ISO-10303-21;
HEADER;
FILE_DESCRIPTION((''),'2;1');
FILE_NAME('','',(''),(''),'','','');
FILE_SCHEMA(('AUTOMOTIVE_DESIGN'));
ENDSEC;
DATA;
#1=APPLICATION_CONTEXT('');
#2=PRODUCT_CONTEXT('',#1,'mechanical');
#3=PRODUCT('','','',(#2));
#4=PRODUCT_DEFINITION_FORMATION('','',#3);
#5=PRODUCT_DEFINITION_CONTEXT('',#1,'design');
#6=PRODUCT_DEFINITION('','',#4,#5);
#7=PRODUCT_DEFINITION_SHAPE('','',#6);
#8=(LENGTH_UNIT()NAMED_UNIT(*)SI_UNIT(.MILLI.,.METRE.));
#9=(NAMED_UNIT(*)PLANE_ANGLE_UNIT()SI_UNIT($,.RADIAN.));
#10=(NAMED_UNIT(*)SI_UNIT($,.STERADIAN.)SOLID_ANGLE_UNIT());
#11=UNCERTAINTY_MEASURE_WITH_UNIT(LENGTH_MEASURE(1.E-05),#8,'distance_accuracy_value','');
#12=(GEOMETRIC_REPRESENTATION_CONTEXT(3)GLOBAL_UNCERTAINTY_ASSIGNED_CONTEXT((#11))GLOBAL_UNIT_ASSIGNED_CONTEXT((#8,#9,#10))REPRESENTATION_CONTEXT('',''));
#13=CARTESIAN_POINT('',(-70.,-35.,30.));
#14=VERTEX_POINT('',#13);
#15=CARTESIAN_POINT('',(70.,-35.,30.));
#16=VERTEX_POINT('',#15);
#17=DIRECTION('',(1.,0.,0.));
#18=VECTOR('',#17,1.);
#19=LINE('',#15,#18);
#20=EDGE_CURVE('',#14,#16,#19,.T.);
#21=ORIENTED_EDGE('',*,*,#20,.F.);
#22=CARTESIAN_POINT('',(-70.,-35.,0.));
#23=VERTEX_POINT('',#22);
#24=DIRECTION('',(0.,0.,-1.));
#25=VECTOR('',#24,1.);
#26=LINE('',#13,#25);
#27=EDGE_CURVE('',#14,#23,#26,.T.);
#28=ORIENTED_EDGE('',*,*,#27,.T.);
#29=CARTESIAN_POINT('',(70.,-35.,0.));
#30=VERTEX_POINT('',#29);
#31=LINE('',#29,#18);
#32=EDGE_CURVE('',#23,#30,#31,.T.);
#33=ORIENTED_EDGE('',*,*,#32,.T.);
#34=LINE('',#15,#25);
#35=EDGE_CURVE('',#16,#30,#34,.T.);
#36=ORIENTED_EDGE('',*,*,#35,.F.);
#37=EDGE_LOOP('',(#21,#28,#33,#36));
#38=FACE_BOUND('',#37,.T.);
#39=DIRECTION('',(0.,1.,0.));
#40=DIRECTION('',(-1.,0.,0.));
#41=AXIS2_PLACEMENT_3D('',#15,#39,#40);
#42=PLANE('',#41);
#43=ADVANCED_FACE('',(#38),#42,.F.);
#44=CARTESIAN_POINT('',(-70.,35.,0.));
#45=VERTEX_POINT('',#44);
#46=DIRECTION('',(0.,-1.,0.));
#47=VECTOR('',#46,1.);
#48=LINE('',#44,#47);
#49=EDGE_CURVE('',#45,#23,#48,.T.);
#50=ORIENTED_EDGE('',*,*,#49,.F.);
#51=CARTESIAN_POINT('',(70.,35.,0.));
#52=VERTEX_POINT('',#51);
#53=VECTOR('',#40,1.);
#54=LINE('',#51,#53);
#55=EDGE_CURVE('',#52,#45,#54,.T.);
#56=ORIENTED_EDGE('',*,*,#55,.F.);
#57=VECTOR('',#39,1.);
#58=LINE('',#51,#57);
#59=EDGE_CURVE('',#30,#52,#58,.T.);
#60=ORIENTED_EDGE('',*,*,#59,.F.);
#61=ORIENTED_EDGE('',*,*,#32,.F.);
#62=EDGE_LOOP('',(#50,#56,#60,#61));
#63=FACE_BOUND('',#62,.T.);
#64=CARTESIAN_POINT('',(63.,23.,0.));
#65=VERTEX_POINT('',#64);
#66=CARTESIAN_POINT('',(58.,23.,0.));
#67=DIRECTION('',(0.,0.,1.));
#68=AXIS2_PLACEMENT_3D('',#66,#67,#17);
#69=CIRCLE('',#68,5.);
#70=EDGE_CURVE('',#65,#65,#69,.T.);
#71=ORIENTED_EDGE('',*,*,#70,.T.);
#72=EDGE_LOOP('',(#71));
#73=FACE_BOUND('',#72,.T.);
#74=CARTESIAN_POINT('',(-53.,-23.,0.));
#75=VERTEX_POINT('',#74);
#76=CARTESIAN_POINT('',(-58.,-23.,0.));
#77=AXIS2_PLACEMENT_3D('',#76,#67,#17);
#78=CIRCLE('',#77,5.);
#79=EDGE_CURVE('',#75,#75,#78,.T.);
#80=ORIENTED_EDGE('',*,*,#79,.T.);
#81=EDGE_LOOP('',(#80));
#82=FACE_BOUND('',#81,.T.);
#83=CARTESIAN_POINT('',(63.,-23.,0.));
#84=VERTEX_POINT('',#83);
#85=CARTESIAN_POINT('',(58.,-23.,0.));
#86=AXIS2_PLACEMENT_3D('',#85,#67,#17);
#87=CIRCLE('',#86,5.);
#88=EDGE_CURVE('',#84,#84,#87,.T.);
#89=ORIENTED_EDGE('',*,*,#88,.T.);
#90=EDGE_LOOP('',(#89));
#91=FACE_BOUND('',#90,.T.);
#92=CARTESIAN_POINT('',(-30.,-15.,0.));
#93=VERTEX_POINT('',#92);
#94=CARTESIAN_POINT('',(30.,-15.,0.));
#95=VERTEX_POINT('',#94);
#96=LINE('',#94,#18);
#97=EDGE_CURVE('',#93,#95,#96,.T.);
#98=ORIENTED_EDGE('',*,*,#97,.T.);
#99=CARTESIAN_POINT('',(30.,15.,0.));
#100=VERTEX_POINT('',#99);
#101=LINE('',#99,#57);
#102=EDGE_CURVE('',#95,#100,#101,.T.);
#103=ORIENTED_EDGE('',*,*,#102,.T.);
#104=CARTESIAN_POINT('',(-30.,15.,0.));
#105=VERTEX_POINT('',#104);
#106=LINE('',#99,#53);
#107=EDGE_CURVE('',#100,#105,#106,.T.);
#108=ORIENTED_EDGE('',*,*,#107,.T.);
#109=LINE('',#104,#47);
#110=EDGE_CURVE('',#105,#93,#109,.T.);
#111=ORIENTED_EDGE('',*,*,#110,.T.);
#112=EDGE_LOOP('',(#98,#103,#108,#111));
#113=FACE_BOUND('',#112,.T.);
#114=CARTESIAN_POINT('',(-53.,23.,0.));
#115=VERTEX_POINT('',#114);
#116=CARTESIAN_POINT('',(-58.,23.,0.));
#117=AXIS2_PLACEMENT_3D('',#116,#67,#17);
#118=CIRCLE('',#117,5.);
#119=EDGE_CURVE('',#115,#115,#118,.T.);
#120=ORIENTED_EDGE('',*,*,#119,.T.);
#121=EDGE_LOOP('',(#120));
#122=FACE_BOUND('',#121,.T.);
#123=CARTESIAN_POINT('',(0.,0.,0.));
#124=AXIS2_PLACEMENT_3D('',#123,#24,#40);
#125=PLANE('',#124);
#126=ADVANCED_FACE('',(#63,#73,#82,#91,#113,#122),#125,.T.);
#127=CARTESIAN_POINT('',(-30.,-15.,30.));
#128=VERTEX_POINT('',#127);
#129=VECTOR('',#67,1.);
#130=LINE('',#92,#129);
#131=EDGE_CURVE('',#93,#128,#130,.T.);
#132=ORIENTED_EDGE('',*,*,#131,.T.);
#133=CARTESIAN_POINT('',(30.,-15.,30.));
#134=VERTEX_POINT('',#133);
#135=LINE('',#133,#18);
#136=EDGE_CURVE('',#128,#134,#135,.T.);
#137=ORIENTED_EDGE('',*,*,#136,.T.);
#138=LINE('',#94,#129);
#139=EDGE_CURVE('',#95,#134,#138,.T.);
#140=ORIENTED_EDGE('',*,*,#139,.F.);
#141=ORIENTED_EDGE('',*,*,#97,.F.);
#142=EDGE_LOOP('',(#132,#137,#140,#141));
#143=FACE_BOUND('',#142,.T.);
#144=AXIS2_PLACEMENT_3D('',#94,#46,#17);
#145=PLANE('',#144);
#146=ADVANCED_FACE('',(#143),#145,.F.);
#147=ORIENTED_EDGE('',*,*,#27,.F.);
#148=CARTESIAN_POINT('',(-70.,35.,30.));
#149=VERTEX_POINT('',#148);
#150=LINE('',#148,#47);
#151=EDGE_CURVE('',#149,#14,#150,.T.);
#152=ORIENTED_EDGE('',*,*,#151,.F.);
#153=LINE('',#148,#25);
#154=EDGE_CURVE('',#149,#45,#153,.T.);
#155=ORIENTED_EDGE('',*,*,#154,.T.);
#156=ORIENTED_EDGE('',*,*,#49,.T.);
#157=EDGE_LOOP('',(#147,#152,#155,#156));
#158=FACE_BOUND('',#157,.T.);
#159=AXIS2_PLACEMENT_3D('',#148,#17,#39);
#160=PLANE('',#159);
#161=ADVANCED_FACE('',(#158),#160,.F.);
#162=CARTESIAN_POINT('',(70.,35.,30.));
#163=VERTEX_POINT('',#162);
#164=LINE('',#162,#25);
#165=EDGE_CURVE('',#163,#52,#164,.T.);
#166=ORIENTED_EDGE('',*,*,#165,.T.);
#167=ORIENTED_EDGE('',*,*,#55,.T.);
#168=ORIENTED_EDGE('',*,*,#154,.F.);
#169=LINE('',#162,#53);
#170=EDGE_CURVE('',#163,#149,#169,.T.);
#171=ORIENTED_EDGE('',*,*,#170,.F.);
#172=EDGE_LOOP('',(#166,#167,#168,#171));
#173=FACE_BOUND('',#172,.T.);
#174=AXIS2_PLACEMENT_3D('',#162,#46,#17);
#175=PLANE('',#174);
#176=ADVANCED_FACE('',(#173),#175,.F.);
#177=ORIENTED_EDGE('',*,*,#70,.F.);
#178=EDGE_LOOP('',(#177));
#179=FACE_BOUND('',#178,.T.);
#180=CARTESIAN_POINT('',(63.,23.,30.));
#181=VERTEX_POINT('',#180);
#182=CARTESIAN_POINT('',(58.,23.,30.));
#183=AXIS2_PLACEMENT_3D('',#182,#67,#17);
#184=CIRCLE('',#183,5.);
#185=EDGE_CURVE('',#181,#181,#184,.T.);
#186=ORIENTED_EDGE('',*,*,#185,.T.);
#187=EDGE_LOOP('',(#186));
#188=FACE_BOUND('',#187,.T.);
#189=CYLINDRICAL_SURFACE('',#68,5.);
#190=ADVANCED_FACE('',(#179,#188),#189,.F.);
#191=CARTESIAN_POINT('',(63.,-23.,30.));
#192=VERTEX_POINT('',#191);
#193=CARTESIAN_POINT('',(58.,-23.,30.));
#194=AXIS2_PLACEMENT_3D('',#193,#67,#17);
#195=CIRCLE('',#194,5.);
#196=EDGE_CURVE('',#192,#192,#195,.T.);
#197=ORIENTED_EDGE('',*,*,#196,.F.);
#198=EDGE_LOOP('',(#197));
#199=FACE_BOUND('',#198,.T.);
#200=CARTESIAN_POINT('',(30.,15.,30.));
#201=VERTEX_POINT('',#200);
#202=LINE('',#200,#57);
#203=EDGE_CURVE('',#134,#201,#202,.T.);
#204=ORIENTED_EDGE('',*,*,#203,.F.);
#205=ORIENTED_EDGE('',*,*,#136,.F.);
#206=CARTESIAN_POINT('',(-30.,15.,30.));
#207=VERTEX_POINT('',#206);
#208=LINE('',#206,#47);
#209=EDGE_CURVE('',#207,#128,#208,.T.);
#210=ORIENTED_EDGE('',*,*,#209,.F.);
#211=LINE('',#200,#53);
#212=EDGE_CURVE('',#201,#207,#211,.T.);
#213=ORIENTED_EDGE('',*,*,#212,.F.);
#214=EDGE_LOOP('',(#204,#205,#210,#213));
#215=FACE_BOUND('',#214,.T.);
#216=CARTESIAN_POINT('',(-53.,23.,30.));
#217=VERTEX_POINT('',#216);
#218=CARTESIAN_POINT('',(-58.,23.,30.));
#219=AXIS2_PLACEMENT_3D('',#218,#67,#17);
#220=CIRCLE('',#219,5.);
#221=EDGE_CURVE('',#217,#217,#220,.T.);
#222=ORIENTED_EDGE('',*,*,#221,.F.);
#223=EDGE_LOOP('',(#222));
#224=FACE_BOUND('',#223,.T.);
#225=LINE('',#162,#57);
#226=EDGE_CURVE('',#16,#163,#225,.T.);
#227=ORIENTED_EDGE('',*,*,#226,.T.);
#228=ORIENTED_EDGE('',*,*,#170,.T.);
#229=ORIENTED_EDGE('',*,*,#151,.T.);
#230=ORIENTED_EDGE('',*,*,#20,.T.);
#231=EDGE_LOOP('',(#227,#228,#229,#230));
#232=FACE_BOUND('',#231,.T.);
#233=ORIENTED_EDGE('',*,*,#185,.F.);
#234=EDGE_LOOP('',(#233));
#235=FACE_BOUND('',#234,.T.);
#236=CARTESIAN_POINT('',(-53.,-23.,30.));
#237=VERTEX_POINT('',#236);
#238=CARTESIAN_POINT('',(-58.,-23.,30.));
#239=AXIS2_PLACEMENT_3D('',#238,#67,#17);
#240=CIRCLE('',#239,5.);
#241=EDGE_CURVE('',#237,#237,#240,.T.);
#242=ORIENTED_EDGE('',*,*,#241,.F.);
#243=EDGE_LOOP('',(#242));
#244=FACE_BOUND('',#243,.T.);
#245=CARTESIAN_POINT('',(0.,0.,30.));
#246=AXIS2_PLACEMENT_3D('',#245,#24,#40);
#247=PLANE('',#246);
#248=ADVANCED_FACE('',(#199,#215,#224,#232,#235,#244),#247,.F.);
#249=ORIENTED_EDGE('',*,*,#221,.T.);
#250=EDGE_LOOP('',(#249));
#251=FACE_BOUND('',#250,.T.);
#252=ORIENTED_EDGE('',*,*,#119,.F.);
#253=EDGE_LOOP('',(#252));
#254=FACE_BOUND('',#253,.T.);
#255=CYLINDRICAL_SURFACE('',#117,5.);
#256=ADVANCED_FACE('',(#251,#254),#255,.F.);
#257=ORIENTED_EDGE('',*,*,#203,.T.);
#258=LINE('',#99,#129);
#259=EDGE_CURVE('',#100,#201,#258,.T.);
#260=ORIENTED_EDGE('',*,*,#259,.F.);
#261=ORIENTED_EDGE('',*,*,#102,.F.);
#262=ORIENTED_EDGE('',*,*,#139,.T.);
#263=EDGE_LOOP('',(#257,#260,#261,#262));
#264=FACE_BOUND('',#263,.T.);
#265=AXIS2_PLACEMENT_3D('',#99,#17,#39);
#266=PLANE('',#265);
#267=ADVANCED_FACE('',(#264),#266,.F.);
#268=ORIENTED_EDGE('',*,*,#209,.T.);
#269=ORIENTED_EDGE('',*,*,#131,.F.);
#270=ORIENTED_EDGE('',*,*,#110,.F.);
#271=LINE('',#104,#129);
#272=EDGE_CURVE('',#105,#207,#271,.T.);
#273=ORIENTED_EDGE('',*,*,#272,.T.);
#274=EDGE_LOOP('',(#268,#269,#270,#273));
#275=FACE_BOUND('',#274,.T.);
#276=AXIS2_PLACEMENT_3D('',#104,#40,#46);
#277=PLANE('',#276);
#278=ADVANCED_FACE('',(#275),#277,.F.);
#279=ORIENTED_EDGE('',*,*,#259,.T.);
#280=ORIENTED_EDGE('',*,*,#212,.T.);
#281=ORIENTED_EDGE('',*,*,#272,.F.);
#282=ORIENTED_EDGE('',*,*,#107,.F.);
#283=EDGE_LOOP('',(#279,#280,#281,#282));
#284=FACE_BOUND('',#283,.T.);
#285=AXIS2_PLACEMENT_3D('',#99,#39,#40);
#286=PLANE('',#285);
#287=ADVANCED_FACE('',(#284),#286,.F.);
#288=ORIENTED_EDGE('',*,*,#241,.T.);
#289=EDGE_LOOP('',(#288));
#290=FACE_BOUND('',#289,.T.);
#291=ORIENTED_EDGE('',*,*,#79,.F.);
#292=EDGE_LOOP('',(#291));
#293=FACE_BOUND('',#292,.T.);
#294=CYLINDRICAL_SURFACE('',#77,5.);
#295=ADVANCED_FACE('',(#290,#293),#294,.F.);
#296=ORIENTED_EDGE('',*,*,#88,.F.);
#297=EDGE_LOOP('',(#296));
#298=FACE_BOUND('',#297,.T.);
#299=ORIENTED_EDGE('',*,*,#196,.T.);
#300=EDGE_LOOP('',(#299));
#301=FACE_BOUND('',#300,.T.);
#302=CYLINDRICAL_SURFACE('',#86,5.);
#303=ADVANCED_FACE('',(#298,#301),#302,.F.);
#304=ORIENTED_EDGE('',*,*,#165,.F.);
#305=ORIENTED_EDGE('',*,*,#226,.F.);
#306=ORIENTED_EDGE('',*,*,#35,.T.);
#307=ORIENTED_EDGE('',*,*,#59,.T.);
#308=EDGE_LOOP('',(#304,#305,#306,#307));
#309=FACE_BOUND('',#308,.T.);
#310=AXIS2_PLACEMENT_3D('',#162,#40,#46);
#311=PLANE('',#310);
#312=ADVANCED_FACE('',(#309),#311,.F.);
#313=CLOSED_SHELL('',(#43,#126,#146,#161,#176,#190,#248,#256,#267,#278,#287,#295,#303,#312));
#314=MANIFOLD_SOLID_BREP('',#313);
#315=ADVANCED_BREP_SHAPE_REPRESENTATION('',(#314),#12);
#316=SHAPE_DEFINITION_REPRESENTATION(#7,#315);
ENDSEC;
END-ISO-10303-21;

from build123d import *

# Parameters (mm, degrees)
ESBO_O1_W                = 140
ESBO_O1_H                = 70
RESSALTO_EXTRUS_O1_DEPTH = 30
ESBO_O2_W                = 60
ESBO_O2_H                = 30
CORTE_EXTRUS_O1_DEPTH    = 31
ESBO_O3_R                = 5
CORTE_EXTRUS_O3_DEPTH    = 31


with BuildPart() as part:
    # Esboço1 → Ressalto-extrusão1 (new body)
    with BuildSketch(Plane.XY):
        Rectangle(ESBO_O1_W, ESBO_O1_H)
    extrude(amount=RESSALTO_EXTRUS_O1_DEPTH)

    # Esboço2 → Corte-extrusão1 (cut, through all)
    with BuildSketch(Plane.XY.offset(30)):
        Rectangle(ESBO_O2_W, ESBO_O2_H)
    extrude(amount=-CORTE_EXTRUS_O1_DEPTH, mode=Mode.SUBTRACT)

    # Esboço3 → Corte-extrusão3 (cut, through all)
    with BuildSketch(Plane.XY.offset(30)):
        with Locations((-58, 23)):
            Circle(ESBO_O3_R)
        with Locations((58, 23)):
            Circle(ESBO_O3_R)
        with Locations((58, -23)):
            Circle(ESBO_O3_R)
        with Locations((-58, -23)):
            Circle(ESBO_O3_R)
    extrude(amount=-CORTE_EXTRUS_O3_DEPTH, mode=Mode.SUBTRACT)


solid = part.part
